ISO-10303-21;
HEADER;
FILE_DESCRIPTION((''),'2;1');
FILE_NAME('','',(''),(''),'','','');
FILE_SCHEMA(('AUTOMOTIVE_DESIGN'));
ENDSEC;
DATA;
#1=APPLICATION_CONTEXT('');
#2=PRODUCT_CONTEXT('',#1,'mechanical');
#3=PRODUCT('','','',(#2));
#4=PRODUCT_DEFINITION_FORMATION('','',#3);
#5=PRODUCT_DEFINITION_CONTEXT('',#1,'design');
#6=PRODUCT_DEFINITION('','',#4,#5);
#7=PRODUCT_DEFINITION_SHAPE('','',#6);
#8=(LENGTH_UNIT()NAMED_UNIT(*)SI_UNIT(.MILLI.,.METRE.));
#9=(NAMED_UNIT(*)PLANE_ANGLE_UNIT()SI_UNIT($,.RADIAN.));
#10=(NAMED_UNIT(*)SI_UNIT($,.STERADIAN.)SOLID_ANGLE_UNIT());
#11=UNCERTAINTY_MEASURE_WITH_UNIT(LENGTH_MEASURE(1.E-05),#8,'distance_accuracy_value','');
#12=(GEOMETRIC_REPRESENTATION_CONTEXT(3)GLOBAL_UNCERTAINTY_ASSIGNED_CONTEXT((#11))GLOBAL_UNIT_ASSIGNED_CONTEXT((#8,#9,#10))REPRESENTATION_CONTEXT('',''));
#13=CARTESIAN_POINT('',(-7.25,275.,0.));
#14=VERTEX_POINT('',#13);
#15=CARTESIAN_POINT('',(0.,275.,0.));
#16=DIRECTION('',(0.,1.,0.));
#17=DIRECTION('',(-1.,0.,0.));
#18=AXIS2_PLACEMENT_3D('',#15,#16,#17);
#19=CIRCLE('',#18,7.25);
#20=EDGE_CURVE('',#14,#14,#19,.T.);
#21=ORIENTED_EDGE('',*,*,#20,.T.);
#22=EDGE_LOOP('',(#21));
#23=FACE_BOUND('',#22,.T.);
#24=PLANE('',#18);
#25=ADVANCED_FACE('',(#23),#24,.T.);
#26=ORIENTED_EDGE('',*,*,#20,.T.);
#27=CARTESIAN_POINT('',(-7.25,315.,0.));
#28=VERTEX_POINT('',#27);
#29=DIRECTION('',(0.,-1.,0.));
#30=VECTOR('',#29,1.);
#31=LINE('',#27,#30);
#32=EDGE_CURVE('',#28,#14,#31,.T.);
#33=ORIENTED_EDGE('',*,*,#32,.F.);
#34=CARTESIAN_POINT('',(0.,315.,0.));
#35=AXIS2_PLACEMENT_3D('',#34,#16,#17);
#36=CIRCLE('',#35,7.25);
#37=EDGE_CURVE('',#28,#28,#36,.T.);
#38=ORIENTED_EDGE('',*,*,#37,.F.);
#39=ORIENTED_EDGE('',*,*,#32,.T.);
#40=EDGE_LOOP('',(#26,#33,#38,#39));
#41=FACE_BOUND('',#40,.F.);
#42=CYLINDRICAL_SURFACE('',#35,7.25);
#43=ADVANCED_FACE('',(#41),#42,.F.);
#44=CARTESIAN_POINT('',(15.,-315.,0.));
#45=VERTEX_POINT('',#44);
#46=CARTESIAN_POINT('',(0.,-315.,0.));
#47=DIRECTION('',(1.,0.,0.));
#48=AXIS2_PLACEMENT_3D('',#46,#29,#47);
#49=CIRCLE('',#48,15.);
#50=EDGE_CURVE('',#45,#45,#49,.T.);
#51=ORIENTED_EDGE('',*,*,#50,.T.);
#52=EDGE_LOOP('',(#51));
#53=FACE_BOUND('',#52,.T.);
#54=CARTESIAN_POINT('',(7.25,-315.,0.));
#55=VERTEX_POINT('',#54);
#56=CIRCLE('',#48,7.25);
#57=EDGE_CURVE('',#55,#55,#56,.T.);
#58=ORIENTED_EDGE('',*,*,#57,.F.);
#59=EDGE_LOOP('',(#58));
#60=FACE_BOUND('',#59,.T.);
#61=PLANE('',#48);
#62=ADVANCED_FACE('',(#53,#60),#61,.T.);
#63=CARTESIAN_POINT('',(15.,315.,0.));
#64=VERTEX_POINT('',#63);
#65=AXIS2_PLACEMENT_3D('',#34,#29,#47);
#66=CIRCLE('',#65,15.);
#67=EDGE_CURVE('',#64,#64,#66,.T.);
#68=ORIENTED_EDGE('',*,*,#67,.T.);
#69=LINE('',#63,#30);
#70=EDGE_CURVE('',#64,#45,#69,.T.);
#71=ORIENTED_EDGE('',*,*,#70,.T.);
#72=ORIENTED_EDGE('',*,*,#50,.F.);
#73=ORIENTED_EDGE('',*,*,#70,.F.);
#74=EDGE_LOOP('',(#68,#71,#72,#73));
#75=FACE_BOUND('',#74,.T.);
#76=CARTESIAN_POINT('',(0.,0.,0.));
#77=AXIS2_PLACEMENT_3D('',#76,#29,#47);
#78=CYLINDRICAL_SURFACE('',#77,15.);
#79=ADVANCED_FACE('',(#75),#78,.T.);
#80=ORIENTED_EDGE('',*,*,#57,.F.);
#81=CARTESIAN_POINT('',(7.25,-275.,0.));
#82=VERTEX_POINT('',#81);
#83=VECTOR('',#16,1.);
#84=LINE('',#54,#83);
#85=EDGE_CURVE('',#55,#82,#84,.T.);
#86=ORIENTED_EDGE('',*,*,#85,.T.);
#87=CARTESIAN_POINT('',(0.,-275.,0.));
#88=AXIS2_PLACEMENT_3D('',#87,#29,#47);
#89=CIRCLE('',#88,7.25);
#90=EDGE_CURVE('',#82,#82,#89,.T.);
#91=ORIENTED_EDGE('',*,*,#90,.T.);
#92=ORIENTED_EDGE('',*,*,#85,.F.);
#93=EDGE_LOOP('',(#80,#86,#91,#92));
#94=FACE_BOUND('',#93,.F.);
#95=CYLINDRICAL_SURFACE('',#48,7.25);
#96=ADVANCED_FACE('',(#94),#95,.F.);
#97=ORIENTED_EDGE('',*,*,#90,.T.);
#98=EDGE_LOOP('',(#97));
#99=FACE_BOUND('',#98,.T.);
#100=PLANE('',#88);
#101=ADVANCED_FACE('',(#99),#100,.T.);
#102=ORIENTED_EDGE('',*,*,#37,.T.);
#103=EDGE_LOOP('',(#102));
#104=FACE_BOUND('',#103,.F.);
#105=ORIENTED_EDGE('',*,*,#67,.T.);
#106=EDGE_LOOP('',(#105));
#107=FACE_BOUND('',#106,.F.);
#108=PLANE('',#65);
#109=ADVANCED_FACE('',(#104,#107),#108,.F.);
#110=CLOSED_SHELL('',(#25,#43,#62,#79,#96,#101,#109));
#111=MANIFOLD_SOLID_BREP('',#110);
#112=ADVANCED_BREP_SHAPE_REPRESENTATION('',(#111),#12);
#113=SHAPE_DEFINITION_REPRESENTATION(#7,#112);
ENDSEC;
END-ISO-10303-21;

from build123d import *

# Parameters (mm, degrees)
F0_R     = 15
F1_DEPTH = 315
F2_R     = 7.25
F3_DEPTH = 40
F4_R     = 7.25
F5_DEPTH = 40


with BuildPart() as f1:
    # F0 (on Front) → F1 (new body, symmetric)
    with BuildSketch(Plane.XZ):
        Circle(F0_R)
    extrude(amount=F1_DEPTH, both=True)

    # F2 (on face) → F3 (cut)
    with BuildSketch(Plane.XZ.offset(315)):
        Circle(F2_R)
    extrude(amount=-F3_DEPTH, mode=Mode.SUBTRACT)

    # F4 (on face) → F5 (cut)
    with BuildSketch(Plane(origin=(0, 315, 0), x_dir=(-1, 0, 0), z_dir=(0, 1, 0))):
        Circle(F4_R)
    extrude(amount=-F5_DEPTH, mode=Mode.SUBTRACT)


solid = f1.part
